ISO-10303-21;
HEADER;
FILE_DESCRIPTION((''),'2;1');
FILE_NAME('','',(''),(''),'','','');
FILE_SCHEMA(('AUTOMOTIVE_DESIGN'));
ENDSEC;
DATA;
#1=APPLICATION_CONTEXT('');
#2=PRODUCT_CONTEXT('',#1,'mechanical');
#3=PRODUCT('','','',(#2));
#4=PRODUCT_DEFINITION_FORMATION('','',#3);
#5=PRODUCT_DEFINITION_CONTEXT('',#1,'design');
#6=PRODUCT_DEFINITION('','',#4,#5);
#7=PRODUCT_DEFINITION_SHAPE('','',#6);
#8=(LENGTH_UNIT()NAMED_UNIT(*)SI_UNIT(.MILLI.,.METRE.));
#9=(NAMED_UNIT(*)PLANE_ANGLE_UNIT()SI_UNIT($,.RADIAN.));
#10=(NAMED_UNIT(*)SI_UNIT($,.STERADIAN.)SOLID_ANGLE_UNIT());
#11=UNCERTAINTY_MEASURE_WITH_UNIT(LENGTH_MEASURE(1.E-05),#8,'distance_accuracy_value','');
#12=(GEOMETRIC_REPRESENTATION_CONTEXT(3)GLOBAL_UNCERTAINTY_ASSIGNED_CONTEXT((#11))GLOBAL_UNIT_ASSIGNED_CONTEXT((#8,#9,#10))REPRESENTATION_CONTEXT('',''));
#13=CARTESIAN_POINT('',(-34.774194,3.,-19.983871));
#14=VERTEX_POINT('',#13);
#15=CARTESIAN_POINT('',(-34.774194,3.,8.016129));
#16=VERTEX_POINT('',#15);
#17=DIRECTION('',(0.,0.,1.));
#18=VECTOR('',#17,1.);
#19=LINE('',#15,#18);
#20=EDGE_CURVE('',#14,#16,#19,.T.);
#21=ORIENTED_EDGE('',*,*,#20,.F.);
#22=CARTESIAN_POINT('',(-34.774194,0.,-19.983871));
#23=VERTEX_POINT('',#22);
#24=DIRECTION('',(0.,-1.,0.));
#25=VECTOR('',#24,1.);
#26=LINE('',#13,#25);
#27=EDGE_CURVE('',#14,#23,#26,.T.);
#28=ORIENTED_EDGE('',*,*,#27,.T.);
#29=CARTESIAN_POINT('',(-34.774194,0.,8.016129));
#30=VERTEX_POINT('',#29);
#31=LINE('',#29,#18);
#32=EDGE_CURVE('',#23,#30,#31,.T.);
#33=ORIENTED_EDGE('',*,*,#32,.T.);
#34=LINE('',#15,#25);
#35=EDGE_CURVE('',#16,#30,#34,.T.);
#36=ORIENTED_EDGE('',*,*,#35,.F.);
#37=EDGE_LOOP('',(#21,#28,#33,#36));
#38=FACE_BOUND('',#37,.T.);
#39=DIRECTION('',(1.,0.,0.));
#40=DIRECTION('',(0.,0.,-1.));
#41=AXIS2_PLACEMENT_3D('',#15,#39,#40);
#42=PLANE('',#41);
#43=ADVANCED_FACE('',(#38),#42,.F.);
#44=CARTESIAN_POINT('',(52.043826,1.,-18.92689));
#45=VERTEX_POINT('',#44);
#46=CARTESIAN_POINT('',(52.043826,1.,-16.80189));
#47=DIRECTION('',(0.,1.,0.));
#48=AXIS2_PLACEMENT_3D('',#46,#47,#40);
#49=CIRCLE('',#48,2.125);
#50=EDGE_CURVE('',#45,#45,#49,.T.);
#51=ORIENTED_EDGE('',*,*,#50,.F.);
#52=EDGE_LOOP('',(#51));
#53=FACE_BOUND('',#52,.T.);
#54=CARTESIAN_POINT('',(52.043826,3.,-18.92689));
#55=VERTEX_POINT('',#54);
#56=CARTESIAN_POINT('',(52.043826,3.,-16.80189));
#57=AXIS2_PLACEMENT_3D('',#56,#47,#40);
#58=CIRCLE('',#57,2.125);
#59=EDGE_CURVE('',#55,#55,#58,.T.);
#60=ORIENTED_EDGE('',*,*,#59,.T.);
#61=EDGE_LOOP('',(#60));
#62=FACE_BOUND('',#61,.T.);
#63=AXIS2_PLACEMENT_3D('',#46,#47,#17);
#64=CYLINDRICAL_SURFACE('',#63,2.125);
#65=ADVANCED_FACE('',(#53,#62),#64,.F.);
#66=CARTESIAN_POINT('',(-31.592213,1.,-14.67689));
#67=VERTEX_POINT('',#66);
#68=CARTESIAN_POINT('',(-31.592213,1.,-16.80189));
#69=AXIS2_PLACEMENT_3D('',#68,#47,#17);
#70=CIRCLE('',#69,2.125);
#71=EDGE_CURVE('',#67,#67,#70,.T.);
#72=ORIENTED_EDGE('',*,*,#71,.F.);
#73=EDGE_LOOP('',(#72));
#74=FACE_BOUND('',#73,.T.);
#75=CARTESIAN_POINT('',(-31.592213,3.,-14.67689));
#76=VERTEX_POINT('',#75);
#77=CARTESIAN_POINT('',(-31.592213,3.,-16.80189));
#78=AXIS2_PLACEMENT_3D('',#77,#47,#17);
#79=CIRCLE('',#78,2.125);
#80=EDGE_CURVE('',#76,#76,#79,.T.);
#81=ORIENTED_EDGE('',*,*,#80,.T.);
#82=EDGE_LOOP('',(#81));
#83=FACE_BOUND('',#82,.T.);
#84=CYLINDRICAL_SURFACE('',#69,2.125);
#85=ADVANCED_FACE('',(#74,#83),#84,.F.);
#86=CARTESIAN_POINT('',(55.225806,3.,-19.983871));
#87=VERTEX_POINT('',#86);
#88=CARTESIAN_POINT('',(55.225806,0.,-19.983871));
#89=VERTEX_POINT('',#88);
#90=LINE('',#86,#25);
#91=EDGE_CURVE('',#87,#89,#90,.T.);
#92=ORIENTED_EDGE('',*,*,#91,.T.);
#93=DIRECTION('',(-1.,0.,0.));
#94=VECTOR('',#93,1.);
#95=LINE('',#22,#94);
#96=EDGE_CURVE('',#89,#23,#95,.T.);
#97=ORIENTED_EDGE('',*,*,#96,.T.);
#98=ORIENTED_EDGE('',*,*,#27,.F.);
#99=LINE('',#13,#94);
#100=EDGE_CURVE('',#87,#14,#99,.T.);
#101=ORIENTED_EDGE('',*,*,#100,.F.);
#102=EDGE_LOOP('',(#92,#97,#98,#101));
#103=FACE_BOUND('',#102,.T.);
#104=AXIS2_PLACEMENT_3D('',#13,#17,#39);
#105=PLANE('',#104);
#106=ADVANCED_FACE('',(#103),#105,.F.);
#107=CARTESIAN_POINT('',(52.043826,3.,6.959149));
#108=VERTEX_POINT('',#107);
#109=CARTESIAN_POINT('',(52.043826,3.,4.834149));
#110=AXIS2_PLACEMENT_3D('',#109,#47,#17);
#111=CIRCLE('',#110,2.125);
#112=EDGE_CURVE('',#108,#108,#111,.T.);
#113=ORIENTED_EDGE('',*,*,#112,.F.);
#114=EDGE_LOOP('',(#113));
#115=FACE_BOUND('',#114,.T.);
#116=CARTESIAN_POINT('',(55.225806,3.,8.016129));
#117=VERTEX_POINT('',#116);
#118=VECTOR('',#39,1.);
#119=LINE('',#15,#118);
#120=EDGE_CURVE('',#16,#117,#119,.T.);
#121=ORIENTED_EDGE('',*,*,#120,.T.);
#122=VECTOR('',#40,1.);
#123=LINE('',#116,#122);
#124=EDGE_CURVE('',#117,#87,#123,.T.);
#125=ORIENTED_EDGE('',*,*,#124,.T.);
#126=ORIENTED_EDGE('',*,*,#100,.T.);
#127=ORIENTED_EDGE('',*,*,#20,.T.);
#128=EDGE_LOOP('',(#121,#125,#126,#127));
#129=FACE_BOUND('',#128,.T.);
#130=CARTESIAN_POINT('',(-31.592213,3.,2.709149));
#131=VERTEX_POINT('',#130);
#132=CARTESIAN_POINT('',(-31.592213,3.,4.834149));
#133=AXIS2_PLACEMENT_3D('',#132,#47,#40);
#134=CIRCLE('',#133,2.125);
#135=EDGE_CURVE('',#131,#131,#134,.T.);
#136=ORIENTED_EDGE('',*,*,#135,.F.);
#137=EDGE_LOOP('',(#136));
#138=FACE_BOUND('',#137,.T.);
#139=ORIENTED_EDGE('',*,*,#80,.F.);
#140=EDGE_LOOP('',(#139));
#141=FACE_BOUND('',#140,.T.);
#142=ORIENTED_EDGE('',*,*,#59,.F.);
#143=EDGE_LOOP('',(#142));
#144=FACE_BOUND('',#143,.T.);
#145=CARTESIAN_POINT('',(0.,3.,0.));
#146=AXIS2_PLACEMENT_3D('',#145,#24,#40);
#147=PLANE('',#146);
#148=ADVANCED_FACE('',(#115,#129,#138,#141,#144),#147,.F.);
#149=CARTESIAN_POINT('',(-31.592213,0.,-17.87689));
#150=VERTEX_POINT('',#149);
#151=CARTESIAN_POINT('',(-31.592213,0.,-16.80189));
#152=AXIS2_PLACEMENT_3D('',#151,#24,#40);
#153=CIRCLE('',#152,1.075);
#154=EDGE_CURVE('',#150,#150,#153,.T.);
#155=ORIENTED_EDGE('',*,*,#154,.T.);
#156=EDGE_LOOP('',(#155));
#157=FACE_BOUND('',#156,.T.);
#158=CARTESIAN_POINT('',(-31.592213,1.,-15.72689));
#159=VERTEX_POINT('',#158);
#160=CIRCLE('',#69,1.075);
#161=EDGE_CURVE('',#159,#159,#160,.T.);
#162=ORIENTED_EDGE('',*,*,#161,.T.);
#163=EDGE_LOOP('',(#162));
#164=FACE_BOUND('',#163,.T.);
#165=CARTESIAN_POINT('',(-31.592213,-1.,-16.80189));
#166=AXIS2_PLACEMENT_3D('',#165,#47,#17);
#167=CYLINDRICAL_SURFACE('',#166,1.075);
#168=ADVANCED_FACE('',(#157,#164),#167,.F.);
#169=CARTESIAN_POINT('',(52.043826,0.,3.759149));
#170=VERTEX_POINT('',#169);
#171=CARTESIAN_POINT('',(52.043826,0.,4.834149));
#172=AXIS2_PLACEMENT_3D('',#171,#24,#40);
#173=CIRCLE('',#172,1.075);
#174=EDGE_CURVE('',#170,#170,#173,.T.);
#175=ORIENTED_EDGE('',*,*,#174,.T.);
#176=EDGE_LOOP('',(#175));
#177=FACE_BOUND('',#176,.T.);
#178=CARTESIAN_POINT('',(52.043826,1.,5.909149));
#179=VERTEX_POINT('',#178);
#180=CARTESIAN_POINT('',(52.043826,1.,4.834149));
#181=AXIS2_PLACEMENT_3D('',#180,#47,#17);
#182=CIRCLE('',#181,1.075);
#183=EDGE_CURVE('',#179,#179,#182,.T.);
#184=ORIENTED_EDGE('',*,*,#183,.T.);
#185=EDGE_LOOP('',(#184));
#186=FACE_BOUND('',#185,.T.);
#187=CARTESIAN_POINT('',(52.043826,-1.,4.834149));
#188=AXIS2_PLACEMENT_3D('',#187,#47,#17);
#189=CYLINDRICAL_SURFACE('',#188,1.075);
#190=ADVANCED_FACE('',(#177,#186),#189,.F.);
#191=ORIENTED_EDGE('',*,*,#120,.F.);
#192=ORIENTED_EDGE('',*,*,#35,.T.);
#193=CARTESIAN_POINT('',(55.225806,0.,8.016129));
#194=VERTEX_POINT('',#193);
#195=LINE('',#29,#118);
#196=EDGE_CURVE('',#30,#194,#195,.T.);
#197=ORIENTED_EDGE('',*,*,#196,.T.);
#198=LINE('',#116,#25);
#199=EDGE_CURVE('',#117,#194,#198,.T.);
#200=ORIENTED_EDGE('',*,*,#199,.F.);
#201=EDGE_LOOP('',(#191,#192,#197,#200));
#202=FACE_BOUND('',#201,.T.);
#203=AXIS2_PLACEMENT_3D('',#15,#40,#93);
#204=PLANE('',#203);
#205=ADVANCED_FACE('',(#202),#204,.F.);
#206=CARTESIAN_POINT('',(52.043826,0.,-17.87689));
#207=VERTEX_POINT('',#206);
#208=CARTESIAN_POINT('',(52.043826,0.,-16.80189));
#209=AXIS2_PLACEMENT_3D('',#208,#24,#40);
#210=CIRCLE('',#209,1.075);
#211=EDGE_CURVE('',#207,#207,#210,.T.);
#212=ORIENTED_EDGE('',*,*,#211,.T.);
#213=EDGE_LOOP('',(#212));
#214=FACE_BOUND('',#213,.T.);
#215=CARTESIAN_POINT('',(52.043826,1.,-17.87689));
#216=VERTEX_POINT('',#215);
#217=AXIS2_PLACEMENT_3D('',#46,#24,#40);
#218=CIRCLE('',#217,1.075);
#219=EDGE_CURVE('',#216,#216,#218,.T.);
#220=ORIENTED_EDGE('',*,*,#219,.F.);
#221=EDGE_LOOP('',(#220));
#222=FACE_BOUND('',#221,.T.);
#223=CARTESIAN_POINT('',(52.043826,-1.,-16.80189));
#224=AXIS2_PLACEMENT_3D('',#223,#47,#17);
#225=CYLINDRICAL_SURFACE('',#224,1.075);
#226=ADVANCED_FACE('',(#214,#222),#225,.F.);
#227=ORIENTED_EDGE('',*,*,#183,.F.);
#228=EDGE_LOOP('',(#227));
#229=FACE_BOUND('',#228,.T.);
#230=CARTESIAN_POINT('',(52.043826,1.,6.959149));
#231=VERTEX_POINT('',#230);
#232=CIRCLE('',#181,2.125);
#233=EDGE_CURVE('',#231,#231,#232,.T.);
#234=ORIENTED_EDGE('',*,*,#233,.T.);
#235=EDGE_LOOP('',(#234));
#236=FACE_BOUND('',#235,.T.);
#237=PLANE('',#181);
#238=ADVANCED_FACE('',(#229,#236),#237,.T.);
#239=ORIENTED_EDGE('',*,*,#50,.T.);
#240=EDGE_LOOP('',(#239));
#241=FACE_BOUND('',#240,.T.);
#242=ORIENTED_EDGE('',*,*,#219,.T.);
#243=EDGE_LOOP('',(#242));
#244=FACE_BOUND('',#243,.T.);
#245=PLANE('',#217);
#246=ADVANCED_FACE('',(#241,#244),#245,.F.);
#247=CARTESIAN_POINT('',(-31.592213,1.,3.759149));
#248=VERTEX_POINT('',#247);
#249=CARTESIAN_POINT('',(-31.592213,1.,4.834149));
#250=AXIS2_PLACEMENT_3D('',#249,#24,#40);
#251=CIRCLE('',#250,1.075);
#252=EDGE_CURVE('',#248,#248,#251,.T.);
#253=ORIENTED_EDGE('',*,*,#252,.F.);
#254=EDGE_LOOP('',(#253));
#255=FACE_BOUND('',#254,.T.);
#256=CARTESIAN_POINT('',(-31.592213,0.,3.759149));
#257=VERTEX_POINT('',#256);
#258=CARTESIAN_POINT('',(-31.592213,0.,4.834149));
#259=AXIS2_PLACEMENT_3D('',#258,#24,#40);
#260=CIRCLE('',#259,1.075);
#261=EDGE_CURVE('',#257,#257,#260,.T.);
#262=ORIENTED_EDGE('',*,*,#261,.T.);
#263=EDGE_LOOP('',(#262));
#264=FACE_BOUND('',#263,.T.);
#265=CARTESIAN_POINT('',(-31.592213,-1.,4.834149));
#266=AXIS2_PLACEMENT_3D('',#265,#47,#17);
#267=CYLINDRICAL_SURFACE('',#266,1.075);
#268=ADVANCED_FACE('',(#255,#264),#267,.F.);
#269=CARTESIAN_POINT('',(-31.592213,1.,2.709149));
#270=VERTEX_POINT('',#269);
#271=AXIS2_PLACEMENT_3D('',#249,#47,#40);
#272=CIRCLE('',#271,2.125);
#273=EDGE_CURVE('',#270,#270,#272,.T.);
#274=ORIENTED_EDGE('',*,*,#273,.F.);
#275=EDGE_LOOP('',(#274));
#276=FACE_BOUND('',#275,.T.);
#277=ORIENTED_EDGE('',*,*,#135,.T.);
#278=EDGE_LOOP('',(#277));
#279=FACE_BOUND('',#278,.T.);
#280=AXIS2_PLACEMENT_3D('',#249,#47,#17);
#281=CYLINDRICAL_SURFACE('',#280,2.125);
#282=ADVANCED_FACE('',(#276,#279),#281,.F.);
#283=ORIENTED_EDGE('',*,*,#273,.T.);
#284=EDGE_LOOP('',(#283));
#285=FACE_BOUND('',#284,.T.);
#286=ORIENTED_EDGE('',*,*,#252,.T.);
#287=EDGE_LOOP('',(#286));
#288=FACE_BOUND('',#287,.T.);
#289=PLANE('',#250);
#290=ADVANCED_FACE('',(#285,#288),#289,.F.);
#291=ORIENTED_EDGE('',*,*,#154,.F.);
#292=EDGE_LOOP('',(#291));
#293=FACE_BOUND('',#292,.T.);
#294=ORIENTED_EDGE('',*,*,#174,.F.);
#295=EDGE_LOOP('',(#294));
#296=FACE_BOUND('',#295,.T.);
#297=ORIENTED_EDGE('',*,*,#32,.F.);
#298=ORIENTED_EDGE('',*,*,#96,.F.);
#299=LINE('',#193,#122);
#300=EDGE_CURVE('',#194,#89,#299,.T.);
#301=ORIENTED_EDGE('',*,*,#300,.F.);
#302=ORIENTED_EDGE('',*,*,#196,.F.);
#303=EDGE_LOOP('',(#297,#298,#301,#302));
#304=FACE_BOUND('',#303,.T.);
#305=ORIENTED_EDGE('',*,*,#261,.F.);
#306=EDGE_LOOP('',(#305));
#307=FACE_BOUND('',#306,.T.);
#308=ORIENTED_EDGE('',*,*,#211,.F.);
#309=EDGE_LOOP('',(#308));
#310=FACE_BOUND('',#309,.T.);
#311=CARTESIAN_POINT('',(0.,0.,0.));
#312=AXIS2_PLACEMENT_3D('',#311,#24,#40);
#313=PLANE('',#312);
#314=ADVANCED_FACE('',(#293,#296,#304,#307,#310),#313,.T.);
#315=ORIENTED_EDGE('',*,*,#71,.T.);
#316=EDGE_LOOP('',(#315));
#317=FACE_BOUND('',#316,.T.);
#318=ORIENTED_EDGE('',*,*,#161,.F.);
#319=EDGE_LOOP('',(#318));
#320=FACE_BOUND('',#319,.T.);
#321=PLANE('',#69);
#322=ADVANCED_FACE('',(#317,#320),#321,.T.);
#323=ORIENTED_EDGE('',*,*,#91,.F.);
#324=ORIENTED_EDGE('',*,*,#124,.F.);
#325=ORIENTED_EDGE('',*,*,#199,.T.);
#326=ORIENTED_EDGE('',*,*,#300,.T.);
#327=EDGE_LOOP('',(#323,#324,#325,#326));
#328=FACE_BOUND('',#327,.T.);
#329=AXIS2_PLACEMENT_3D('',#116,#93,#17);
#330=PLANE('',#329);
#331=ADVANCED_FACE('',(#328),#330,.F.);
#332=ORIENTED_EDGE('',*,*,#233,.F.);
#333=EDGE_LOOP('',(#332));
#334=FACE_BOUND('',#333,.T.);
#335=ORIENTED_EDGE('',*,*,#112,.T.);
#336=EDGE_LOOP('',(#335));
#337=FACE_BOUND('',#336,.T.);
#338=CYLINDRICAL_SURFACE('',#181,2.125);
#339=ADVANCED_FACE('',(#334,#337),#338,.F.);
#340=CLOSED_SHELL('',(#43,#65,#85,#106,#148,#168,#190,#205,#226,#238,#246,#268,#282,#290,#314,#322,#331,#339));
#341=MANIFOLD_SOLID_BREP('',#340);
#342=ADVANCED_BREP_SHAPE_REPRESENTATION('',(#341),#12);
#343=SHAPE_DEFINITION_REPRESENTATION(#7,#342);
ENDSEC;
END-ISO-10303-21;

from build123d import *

# Parameters (mm, degrees)
SKETCH2_W           = 90
SKETCH2_H           = 28
BOSS_EXTRUDE1_DEPTH = 3
SKETCH3_R           = 2.125
SKETCH3_R_2         = 1.075
CUT_EXTRUDE1_DEPTH  = 2
SKETCH5_R           = 1.075
CUT_EXTRUDE3_DEPTH  = 4


with BuildPart() as part:
    # Sketch2 → Boss-Extrude1 (new body)
    with BuildSketch(Plane(origin=(0, 0, 0), x_dir=(1, 0, 0), z_dir=(0, 1, 0))):
        with Locations((10.225806452, 5.983870968)):
            Rectangle(SKETCH2_W, SKETCH2_H)
    extrude(amount=BOSS_EXTRUDE1_DEPTH)

    # Sketch3 → Cut-Extrude1 (cut)
    # profile 1 of 4: a face of its own
    with BuildSketch(Plane(origin=(0, 3, 0), x_dir=(1, 0, 0), z_dir=(0, 1, 0))):
        with Locations(Location((-31.592213033, 16.801890452, 0), (0, 0, 270))):
            Circle(SKETCH3_R)
        with Locations(Location((-31.592213033, 16.801890452, 0), (0, 0, 270))):
            Circle(SKETCH3_R_2, mode=Mode.SUBTRACT)
    # profile 2 of 4: a face of its own
    with BuildSketch(Plane(origin=(0, 3, 0), x_dir=(1, 0, 0), z_dir=(0, 1, 0))):
        with Locations(Location((-31.592213033, -4.834148517, 0), (0, 0, 90))):
            Circle(SKETCH3_R)
        with Locations(Location((-31.592213033, -4.834148517, 0), (0, 0, 90))):
            Circle(SKETCH3_R_2, mode=Mode.SUBTRACT)
    # profile 3 of 4: a face of its own
    with BuildSketch(Plane(origin=(0, 3, 0), x_dir=(1, 0, 0), z_dir=(0, 1, 0))):
        with Locations(Location((52.043825936, -4.834148517, 0), (0, 0, 270))):
            Circle(SKETCH3_R)
        with Locations(Location((52.043825936, -4.834148517, 0), (0, 0, 270))):
            Circle(SKETCH3_R_2, mode=Mode.SUBTRACT)
    # profile 4 of 4: a face of its own
    with BuildSketch(Plane(origin=(0, 3, 0), x_dir=(1, 0, 0), z_dir=(0, 1, 0))):
        with Locations(Location((52.043825936, 16.801890452, 0), (0, 0, 90))):
            Circle(SKETCH3_R)
        with Locations(Location((52.043825936, 16.801890452, 0), (0, 0, 90))):
            Circle(SKETCH3_R_2, mode=Mode.SUBTRACT)
    extrude(amount=-CUT_EXTRUDE1_DEPTH, mode=Mode.SUBTRACT)

    # Sketch5 → Cut-Extrude3 (cut)
    with BuildSketch(Plane(origin=(0, 3, 0), x_dir=(1, 0, 0), z_dir=(0, 1, 0))):
        with Locations(Location((-31.592213033, 16.801890452, 0), (0, 0, 270))):
            Circle(SKETCH5_R)
        with Locations(Location((-31.592213033, -4.834148517, 0), (0, 0, 90))):
            Circle(SKETCH5_R)
        with Locations(Location((52.043825936, -4.834148517, 0), (0, 0, 270))):
            Circle(SKETCH5_R)
        with Locations(Location((52.043825936, 16.801890452, 0), (0, 0, 90))):
            Circle(SKETCH5_R)
    extrude(amount=-CUT_EXTRUDE3_DEPTH, mode=Mode.SUBTRACT)


solid = part.part
